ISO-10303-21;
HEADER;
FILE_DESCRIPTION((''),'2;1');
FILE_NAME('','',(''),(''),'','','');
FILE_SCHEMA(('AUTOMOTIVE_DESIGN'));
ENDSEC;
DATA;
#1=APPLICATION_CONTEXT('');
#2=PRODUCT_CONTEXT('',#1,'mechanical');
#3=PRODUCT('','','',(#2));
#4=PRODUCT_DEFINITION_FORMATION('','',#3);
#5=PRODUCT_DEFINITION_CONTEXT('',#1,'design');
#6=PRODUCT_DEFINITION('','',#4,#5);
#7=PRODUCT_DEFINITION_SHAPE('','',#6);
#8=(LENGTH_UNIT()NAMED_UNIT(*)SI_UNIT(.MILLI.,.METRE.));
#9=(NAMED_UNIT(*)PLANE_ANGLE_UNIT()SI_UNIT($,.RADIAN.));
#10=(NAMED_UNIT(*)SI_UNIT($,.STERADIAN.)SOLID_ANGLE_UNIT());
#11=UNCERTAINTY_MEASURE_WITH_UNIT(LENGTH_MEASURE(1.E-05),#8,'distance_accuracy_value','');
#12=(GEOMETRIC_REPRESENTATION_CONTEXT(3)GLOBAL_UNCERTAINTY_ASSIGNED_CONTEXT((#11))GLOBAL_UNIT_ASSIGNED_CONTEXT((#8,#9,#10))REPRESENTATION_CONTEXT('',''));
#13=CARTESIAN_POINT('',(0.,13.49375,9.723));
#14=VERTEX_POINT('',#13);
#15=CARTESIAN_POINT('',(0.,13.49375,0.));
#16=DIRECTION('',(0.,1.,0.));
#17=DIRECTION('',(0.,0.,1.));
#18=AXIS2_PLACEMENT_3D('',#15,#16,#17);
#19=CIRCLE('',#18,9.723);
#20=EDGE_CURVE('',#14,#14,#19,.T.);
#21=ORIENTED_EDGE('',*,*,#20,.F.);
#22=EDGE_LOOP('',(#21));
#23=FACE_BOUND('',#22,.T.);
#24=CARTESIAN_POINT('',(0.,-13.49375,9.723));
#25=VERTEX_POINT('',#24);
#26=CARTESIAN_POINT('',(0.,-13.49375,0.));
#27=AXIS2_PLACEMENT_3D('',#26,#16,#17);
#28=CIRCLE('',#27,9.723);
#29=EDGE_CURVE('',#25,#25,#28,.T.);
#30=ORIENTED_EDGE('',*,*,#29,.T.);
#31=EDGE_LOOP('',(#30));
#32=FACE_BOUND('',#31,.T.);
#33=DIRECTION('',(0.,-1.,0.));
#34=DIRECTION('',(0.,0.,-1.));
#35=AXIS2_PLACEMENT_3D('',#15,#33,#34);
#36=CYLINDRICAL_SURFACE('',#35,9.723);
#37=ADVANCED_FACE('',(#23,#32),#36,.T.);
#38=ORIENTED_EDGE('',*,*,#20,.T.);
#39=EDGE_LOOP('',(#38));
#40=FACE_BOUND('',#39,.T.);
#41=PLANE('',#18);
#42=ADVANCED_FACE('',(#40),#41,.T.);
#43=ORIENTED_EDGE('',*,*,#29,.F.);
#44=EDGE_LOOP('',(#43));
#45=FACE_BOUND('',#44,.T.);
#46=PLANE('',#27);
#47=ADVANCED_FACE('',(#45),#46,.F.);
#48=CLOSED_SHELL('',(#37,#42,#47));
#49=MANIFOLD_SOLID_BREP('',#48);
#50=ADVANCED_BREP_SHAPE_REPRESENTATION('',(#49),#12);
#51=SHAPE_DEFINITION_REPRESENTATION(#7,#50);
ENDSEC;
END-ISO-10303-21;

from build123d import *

# Parameters (mm, degrees)
SKETCH1_R           = 9.723
BOSS_EXTRUDE1_DEPTH = 13.49375


with BuildPart() as part:
    # Sketch1 → Boss-Extrude1 (new body, symmetric)
    with BuildSketch(Plane(origin=(0, 0, 0), x_dir=(1, 0, 0), z_dir=(0, 1, 0))):
        Circle(SKETCH1_R)
    extrude(amount=BOSS_EXTRUDE1_DEPTH, both=True)


solid = part.part
